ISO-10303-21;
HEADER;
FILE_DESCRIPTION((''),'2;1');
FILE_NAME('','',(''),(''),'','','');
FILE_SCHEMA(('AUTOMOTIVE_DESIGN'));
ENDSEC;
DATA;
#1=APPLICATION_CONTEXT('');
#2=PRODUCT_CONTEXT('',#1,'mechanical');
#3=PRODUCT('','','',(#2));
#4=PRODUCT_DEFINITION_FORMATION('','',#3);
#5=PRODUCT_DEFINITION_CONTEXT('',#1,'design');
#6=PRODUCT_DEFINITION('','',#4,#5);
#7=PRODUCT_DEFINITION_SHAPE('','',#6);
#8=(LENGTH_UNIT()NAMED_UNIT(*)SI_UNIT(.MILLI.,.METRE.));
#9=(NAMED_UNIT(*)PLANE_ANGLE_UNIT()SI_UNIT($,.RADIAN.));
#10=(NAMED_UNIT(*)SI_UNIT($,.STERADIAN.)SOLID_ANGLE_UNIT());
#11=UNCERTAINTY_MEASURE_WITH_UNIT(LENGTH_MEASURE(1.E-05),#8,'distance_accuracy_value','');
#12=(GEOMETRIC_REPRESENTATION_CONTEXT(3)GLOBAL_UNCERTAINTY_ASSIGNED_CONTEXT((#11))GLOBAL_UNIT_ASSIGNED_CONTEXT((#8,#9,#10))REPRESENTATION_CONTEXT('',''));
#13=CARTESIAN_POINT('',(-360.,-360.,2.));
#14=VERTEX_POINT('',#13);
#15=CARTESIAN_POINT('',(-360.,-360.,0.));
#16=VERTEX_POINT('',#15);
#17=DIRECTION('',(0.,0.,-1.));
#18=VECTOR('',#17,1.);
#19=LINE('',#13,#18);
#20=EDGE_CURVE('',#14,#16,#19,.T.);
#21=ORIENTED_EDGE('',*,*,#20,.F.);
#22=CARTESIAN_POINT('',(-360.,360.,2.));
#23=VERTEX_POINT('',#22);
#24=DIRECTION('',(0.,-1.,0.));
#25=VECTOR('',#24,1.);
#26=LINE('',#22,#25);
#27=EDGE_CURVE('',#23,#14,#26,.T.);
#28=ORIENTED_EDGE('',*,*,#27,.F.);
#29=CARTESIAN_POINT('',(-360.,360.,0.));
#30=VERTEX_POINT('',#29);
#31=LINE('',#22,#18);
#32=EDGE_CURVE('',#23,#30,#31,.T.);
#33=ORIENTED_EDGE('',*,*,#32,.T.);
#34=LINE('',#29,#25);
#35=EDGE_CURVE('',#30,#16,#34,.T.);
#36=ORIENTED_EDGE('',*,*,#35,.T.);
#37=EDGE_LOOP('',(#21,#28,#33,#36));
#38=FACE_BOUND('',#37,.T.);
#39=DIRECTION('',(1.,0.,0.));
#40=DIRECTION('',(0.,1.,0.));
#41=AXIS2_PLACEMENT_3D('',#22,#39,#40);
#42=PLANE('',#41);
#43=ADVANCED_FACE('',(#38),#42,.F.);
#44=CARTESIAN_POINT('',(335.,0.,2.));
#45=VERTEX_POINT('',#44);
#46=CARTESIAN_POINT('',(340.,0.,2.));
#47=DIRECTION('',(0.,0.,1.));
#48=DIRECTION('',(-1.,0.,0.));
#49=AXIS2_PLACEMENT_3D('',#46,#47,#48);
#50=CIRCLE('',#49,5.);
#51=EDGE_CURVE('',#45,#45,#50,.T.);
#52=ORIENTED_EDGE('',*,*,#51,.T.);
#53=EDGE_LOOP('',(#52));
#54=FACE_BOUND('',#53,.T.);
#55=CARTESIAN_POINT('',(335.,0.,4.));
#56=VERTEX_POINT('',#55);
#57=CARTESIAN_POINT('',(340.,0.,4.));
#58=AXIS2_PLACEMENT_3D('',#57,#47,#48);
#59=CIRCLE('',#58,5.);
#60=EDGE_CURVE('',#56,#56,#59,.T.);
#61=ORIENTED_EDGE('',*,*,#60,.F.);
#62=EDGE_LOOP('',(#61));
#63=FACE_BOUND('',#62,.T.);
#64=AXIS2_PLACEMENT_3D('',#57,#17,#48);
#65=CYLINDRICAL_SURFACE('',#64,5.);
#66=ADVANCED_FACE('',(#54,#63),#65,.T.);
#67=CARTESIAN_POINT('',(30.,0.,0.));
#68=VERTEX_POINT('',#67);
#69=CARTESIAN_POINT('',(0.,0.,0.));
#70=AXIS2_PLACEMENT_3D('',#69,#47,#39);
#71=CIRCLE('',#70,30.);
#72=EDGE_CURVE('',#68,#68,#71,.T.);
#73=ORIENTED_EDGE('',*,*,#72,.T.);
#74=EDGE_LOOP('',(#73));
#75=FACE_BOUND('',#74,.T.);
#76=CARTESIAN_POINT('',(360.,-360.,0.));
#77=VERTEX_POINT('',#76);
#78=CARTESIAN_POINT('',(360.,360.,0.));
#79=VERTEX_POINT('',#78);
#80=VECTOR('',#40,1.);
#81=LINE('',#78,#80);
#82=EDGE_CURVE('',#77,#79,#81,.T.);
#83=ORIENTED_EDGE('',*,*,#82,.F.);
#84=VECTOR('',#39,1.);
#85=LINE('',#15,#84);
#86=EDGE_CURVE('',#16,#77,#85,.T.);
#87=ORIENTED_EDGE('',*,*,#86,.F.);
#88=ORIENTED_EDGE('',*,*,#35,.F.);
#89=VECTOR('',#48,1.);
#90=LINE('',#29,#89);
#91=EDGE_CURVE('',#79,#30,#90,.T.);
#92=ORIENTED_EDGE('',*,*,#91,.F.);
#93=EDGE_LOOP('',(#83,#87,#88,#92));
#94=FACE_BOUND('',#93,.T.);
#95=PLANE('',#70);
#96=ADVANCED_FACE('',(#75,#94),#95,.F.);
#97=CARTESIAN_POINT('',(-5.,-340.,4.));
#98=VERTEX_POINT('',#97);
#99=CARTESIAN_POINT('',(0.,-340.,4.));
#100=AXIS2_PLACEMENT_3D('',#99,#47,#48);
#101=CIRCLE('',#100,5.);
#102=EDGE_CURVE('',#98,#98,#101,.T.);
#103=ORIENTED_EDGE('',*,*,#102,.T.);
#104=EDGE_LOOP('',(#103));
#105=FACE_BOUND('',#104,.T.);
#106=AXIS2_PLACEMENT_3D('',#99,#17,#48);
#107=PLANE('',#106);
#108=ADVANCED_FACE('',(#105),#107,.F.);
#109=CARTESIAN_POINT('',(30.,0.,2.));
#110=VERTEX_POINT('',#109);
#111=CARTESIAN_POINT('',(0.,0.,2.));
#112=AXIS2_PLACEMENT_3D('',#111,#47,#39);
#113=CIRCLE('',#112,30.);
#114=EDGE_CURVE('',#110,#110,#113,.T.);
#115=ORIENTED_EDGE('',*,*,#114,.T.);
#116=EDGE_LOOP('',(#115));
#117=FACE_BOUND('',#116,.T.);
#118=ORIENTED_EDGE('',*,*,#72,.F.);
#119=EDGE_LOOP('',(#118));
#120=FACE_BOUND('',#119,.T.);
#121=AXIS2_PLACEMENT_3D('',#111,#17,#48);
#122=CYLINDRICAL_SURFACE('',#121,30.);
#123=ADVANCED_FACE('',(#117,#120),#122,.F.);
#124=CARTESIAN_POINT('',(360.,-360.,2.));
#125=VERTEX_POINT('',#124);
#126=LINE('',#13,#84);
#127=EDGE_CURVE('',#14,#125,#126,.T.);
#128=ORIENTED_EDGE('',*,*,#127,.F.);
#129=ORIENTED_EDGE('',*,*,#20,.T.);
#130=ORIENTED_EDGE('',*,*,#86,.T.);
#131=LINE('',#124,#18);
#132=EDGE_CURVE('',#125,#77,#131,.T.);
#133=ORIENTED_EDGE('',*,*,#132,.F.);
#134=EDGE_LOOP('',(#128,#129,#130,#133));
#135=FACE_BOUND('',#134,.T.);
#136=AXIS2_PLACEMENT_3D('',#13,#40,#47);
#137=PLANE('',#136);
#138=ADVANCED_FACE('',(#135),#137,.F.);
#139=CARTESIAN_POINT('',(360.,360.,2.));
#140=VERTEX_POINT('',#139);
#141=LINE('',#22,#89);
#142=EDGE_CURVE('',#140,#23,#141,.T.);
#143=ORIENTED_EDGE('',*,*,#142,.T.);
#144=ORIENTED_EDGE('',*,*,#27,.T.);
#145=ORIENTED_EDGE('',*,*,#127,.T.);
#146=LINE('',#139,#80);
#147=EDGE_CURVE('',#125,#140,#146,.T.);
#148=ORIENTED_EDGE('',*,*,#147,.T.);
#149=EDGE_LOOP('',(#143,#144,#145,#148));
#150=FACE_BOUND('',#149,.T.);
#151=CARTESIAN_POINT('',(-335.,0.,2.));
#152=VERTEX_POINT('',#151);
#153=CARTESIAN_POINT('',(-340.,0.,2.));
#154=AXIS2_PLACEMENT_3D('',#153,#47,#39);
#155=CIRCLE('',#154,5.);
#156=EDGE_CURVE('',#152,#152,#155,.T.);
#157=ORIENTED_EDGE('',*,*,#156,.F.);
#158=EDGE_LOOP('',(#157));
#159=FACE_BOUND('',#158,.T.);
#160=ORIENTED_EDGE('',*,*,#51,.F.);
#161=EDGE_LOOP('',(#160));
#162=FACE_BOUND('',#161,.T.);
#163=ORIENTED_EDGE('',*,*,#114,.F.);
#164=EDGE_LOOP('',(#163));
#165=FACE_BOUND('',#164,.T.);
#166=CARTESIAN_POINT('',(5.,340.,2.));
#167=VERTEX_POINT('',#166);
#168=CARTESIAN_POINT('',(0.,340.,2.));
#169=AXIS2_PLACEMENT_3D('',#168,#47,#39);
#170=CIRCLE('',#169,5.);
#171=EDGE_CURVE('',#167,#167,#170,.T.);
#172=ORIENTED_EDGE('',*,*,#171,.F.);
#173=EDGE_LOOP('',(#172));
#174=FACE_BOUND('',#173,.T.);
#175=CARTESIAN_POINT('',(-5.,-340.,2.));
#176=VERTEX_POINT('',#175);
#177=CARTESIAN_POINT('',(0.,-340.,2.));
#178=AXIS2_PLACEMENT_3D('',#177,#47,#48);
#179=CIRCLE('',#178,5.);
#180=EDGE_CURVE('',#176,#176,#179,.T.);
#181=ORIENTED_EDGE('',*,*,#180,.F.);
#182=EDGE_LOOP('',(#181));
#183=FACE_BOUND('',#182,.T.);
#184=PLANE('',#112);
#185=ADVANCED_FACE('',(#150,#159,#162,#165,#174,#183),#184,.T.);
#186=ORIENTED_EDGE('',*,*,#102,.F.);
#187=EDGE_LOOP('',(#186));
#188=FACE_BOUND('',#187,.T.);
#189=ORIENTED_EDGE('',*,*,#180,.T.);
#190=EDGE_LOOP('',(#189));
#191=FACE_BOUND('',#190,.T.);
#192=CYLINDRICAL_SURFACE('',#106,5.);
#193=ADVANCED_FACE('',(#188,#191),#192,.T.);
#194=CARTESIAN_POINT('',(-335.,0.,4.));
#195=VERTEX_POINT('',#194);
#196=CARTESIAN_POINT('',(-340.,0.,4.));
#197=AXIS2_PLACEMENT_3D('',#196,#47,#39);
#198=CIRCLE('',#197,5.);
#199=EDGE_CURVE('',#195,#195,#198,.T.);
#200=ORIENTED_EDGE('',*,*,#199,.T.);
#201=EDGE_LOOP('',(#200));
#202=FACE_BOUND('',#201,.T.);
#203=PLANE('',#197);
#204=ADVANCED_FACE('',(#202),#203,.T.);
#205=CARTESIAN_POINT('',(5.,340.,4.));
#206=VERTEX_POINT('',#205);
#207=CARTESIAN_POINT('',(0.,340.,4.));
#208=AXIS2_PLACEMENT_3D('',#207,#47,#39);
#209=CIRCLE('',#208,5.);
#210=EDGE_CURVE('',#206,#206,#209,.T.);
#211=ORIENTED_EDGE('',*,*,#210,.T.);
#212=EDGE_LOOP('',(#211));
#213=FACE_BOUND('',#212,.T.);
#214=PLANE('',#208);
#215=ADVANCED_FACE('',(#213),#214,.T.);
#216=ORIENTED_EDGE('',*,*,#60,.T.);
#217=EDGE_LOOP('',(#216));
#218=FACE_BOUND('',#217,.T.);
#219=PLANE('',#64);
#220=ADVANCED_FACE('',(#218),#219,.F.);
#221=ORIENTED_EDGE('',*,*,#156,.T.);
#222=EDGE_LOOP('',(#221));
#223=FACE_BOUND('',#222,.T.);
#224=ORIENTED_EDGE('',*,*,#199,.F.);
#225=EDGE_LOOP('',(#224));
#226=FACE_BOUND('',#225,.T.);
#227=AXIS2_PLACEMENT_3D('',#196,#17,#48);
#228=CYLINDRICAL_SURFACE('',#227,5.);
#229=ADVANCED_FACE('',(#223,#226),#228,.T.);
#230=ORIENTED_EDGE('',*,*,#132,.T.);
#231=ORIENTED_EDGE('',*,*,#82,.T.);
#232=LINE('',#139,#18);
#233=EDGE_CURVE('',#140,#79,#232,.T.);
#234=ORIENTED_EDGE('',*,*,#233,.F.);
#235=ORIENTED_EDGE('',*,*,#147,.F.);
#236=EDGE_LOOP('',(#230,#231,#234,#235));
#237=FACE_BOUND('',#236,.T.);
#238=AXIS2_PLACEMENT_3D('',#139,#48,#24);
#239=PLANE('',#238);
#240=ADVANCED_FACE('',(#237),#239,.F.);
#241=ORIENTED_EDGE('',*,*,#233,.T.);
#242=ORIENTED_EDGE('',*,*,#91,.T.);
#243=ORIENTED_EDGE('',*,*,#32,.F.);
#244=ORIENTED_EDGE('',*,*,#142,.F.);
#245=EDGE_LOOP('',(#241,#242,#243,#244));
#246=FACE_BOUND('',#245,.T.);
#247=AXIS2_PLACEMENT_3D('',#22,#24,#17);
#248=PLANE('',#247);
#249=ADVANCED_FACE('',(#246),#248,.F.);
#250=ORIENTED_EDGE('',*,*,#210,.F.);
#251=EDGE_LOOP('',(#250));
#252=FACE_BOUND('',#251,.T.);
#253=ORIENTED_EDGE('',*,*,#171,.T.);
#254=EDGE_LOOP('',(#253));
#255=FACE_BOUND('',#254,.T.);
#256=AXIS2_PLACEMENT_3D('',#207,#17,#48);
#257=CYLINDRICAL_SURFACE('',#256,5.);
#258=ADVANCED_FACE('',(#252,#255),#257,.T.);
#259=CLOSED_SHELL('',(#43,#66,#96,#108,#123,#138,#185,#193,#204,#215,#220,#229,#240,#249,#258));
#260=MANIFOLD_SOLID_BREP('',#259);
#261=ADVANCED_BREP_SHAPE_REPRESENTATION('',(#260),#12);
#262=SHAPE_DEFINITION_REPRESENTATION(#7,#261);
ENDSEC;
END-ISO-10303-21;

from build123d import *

# Parameters (mm, degrees)
SKETCH2_W           = 720
SKETCH2_H           = 720
SKETCH2_R           = 30
BOSS_EXTRUDE1_DEPTH = 2
SKETCH3_R           = 5
BOSS_EXTRUDE2_DEPTH = 2


with BuildPart() as part:
    # Sketch2 → Boss-Extrude1 (new body)
    with BuildSketch(Plane.XY):
        Rectangle(SKETCH2_W, SKETCH2_H)
        Circle(SKETCH2_R, mode=Mode.SUBTRACT)
    extrude(amount=BOSS_EXTRUDE1_DEPTH)

    # Sketch3 → Boss-Extrude2 (add)
    with BuildSketch(Plane.XY.offset(2)):
        with Locations((0, 340)):
            Circle(SKETCH3_R)
        with Locations((-340, 0)):
            Circle(SKETCH3_R)
        with Locations((0, -340)):
            Circle(SKETCH3_R)
        with Locations((340, 0)):
            Circle(SKETCH3_R)
    extrude(amount=BOSS_EXTRUDE2_DEPTH)


solid = part.part
